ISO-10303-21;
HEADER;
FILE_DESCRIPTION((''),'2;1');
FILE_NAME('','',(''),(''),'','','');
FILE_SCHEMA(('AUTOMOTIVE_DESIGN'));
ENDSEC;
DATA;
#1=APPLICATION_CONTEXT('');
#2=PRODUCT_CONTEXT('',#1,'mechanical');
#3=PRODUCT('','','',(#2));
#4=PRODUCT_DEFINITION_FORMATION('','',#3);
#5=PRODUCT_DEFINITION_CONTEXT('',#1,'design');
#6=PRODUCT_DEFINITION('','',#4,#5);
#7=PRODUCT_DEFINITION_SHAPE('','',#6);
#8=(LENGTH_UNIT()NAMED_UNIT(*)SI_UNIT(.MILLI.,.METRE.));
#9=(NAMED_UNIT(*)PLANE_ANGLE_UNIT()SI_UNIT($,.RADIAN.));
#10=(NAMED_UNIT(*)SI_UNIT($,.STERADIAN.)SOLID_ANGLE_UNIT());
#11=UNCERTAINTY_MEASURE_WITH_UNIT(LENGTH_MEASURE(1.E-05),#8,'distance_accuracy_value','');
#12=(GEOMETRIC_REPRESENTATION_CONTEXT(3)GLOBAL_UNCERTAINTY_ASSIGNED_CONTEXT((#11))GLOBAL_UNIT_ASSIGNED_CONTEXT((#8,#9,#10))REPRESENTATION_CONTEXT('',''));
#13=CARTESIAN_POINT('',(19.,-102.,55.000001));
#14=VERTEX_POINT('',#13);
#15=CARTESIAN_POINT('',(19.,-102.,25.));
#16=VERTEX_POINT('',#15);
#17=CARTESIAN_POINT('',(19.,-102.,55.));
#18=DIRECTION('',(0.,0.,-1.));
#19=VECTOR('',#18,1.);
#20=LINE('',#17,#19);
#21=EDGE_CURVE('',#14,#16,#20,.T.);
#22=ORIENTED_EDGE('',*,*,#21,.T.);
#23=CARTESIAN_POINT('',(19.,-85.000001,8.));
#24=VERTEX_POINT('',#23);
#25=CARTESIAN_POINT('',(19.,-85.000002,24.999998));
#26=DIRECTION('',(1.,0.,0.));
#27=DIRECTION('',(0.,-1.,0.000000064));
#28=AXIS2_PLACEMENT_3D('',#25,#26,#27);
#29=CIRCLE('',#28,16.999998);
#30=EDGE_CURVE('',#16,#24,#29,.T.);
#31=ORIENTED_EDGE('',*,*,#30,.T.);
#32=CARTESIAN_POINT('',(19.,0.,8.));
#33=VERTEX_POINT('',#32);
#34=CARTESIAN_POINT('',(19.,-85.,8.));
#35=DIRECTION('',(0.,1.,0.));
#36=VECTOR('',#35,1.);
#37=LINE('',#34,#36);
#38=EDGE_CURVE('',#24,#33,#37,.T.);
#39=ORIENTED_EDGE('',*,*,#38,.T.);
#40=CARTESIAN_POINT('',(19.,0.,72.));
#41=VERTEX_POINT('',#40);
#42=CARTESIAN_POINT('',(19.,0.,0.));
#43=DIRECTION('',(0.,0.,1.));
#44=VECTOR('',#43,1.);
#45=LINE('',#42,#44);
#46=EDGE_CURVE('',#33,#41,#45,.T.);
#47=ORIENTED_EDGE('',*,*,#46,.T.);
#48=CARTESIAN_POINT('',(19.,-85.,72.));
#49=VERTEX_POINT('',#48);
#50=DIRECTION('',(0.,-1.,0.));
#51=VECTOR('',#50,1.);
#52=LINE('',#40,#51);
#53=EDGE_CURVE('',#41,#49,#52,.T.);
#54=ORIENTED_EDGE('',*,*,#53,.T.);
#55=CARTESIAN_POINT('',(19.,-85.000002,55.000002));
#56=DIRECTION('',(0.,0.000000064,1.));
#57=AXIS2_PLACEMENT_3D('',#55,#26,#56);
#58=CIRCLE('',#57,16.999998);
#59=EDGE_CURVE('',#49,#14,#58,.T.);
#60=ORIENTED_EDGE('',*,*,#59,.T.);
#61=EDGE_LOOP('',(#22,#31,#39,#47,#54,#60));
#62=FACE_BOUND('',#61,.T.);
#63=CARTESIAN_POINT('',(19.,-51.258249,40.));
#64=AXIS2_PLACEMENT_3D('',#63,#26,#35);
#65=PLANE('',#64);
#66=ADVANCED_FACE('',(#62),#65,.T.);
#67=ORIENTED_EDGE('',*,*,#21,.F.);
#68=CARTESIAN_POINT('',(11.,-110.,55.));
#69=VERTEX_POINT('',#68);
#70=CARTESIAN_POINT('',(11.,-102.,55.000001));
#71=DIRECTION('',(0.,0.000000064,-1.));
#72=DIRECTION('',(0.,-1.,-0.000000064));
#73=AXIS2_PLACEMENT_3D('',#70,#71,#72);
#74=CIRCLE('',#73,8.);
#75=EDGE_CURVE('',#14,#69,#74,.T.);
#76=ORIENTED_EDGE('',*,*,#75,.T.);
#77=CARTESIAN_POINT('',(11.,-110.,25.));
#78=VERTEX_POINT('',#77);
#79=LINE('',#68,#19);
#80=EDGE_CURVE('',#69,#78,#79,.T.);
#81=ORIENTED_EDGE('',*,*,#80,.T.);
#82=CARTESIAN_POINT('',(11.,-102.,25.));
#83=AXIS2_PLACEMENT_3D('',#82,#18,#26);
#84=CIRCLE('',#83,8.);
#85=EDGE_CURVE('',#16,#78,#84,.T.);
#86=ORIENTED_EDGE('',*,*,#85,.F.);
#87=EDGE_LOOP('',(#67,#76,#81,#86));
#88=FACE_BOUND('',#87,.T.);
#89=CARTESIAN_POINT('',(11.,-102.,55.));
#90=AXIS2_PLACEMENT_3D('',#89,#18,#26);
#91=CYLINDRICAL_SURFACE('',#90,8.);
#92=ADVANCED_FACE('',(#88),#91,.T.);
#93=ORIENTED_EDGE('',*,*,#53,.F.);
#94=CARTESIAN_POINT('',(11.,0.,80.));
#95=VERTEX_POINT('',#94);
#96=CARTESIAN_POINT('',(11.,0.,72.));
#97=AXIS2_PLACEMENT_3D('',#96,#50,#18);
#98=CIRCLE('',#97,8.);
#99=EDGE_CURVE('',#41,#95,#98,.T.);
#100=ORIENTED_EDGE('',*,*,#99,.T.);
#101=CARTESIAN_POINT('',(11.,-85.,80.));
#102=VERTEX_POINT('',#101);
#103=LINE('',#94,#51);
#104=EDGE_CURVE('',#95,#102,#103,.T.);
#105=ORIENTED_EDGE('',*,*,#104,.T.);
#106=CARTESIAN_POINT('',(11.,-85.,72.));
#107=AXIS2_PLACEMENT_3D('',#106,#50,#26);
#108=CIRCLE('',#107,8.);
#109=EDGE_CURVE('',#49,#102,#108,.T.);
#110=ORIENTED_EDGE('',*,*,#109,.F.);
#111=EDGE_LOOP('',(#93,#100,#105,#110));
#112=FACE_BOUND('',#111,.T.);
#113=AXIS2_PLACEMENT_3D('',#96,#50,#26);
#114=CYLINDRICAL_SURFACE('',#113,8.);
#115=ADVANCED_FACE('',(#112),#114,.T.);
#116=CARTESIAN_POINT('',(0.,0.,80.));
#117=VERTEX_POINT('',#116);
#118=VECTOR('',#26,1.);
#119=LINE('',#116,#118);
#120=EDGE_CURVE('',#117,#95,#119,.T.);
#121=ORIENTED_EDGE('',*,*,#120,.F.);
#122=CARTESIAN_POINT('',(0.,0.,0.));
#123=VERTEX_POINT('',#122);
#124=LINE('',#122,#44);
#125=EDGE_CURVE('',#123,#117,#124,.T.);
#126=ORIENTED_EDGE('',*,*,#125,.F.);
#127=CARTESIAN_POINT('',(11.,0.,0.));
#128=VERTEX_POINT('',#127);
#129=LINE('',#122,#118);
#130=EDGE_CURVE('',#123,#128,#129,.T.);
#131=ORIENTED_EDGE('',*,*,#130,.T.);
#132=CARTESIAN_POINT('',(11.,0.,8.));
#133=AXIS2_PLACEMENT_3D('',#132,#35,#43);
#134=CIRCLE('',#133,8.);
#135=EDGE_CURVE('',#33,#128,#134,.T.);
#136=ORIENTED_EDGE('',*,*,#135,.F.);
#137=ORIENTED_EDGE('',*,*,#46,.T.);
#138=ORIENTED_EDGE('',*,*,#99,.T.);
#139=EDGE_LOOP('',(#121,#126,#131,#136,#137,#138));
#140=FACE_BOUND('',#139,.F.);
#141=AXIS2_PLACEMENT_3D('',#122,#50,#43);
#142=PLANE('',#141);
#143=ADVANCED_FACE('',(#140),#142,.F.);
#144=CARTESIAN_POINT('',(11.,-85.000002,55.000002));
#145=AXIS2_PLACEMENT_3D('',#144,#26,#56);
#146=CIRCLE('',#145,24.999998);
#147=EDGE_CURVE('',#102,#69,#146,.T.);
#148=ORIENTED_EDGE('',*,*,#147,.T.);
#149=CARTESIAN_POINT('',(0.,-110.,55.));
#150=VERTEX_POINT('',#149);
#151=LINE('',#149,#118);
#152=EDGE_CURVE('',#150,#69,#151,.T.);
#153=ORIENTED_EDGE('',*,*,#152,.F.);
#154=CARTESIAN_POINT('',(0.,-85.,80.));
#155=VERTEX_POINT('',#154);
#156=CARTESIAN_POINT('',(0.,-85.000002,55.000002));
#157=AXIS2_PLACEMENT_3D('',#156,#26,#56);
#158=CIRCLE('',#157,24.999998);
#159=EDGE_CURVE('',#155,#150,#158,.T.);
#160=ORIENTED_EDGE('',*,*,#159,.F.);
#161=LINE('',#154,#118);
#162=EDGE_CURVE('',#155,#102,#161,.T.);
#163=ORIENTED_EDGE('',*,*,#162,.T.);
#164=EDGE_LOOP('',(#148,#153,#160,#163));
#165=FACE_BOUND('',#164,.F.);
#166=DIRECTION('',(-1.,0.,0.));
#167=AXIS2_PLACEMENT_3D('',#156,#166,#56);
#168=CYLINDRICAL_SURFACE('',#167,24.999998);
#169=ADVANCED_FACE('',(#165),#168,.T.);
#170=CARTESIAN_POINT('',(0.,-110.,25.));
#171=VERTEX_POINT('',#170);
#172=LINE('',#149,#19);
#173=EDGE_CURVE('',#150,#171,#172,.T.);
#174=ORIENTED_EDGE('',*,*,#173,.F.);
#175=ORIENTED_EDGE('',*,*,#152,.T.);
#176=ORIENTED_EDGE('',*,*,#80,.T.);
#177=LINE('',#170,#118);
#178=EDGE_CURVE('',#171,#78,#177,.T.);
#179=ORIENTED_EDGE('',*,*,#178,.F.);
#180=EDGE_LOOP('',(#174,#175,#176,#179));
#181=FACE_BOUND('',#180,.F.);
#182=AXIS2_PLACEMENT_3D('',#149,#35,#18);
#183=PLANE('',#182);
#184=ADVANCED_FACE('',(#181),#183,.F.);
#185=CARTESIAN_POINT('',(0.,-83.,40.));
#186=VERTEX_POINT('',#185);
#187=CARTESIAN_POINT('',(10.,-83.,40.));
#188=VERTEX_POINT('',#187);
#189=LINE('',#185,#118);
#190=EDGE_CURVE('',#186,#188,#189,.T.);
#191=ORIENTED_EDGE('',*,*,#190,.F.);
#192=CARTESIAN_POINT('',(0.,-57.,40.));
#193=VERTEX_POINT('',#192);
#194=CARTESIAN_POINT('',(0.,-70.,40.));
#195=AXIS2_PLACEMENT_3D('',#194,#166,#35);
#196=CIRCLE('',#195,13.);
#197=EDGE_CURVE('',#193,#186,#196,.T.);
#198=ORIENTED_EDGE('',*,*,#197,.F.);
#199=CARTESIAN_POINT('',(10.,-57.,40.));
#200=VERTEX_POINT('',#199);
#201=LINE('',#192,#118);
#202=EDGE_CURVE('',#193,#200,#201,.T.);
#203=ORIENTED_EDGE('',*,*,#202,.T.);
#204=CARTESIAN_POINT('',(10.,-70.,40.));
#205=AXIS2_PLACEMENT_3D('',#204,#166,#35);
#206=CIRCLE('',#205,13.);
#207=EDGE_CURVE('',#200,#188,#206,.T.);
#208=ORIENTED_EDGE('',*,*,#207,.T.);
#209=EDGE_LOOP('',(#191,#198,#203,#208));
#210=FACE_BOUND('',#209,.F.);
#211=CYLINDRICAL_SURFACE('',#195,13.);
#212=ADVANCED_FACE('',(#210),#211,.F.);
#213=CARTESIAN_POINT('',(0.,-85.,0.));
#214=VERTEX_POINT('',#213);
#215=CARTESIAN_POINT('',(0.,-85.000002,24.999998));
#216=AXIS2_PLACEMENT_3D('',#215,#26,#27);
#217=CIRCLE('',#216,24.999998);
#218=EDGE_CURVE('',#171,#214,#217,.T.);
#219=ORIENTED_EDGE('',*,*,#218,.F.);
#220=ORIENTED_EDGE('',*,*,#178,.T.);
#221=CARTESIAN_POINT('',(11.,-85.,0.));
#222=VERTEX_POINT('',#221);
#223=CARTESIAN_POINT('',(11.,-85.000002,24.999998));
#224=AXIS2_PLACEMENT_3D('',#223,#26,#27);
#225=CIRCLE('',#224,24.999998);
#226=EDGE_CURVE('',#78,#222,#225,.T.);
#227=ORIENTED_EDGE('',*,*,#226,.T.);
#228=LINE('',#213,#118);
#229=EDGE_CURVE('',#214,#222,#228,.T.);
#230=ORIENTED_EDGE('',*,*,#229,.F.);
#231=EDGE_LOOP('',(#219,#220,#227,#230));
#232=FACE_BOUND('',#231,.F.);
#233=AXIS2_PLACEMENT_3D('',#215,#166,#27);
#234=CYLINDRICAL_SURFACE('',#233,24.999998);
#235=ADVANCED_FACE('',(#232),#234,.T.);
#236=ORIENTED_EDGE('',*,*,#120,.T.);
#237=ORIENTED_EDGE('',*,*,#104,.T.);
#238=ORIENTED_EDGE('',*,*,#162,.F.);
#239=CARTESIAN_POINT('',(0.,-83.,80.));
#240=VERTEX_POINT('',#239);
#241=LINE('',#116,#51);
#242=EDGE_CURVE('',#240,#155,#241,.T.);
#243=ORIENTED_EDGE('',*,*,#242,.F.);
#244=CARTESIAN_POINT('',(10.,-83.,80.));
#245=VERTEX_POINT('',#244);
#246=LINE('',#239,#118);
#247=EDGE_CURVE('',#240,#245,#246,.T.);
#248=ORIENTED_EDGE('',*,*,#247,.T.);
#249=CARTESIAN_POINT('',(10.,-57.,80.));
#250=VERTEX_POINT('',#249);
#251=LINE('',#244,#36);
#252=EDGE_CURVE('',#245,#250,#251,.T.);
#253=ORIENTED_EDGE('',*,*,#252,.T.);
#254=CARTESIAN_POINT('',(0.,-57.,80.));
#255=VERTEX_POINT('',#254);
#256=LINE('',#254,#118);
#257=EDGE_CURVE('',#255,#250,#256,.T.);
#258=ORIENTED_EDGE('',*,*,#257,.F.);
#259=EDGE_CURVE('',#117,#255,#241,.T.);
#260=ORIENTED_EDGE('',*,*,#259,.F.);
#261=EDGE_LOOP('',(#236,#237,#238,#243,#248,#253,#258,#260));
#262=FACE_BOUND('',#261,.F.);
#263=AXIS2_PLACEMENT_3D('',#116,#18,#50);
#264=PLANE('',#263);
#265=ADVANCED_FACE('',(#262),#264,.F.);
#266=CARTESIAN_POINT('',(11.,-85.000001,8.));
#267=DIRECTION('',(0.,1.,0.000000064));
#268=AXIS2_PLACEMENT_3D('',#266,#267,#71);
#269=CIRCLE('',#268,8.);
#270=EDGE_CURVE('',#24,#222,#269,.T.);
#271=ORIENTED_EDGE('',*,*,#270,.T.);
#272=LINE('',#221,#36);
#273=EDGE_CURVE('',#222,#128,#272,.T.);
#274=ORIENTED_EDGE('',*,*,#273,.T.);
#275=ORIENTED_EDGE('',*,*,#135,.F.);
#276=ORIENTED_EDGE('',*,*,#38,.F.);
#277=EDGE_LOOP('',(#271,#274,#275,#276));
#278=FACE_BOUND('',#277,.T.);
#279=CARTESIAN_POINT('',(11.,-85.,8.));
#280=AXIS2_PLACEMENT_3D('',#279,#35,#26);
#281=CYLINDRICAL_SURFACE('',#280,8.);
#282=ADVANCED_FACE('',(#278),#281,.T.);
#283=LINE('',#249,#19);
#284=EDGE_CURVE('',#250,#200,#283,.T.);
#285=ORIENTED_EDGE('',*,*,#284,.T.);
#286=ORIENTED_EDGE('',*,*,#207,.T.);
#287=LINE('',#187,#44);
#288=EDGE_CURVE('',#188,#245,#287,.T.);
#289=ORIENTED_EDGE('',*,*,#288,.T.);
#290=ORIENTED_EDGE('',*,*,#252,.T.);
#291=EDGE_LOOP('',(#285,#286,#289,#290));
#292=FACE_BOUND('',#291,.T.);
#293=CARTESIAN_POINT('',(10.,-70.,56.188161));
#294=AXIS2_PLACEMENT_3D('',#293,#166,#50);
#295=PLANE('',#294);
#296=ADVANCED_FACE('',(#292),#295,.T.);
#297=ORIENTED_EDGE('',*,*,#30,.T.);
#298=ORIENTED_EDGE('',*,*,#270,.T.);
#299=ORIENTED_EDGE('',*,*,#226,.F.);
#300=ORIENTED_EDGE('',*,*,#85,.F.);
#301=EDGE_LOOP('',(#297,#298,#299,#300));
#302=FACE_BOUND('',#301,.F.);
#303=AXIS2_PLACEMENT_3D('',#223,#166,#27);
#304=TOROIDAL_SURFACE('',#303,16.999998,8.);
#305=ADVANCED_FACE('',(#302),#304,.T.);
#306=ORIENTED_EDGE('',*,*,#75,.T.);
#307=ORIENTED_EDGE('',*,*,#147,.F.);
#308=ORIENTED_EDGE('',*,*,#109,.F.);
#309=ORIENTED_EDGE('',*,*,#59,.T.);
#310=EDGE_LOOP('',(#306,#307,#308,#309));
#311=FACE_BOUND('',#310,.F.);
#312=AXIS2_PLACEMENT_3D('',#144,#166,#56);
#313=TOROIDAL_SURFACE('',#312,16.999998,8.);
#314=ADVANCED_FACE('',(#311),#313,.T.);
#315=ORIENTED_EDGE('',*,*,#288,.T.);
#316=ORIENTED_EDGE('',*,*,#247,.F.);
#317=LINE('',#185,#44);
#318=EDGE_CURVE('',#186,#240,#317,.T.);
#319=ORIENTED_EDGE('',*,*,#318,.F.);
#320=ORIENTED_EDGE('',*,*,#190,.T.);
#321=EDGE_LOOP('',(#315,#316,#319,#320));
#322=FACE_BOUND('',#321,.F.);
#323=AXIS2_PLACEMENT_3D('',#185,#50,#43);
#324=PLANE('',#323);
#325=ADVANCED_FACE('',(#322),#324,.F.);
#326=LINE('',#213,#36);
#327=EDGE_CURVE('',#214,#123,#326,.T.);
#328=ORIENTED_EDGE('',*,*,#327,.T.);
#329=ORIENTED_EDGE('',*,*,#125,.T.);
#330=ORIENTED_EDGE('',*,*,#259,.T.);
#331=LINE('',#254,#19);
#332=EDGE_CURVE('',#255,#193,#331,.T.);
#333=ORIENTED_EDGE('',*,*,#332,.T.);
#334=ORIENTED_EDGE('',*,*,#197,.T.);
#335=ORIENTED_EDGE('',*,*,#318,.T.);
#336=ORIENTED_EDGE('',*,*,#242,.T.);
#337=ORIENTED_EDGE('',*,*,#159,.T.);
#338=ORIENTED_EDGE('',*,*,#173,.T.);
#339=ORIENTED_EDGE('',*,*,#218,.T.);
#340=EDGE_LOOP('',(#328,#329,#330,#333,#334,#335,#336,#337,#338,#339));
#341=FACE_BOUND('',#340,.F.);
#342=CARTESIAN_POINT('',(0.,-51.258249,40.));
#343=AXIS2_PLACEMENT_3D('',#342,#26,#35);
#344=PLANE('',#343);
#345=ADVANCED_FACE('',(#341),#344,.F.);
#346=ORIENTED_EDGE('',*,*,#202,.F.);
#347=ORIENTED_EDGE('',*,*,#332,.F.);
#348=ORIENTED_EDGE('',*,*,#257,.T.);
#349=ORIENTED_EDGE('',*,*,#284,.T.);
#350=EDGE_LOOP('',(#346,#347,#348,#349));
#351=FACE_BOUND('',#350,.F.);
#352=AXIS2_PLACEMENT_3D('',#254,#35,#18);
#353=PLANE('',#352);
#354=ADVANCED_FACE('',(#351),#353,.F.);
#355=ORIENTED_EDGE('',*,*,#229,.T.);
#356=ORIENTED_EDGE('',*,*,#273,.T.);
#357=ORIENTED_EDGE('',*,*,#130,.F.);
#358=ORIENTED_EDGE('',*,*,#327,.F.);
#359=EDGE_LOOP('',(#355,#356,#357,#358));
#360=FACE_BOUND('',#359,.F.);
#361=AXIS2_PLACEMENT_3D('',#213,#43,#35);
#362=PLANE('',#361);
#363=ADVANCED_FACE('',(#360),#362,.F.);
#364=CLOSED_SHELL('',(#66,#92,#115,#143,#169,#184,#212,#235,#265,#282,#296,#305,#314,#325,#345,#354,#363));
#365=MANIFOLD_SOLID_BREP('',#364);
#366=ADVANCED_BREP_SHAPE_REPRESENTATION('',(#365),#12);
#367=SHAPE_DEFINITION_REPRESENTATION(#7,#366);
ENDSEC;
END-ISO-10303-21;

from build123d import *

# Parameters (mm, degrees)
F1_DEPTH = 19
F3_DEPTH = 10
F4_R     = 8


with BuildPart() as f1:
    # F0 (on Right) → F1 (new body)
    with BuildSketch(Plane.YZ):
        with BuildLine():
            Line((-85, 0), (0, 0))
            Line((0, 0), (0, 80))
            Line((0, 80), (-85, 80))
            ThreePointArc((-85, 80), (-102.67767, 72.67767), (-110, 55))
            Line((-110, 55), (-110, 25))
            ThreePointArc((-110, 25), (-102.67767, 7.32233), (-85, 0))
        make_face()
    extrude(amount=F1_DEPTH)

    # F2 (on face) → F3 (cut)
    with BuildSketch(Plane(origin=(0, 0, 0), x_dir=(0, -1, 0), z_dir=(-1, 0, 0))):
        with BuildLine():
            Line((57, 80), (57, 40))
            ThreePointArc((57, 40), (70, 27), (83, 40))
            Line((83, 40), (83, 80))
            Line((83, 80), (57, 80))
        make_face()
    extrude(amount=-F3_DEPTH, mode=Mode.SUBTRACT)

    # F4
    f4_edges = [f1.edges().sort_by_distance(p)[0] for p in [
        (19, -42.5, 80),
    ]]
    fillet(f4_edges, radius=F4_R)


solid = f1.part
